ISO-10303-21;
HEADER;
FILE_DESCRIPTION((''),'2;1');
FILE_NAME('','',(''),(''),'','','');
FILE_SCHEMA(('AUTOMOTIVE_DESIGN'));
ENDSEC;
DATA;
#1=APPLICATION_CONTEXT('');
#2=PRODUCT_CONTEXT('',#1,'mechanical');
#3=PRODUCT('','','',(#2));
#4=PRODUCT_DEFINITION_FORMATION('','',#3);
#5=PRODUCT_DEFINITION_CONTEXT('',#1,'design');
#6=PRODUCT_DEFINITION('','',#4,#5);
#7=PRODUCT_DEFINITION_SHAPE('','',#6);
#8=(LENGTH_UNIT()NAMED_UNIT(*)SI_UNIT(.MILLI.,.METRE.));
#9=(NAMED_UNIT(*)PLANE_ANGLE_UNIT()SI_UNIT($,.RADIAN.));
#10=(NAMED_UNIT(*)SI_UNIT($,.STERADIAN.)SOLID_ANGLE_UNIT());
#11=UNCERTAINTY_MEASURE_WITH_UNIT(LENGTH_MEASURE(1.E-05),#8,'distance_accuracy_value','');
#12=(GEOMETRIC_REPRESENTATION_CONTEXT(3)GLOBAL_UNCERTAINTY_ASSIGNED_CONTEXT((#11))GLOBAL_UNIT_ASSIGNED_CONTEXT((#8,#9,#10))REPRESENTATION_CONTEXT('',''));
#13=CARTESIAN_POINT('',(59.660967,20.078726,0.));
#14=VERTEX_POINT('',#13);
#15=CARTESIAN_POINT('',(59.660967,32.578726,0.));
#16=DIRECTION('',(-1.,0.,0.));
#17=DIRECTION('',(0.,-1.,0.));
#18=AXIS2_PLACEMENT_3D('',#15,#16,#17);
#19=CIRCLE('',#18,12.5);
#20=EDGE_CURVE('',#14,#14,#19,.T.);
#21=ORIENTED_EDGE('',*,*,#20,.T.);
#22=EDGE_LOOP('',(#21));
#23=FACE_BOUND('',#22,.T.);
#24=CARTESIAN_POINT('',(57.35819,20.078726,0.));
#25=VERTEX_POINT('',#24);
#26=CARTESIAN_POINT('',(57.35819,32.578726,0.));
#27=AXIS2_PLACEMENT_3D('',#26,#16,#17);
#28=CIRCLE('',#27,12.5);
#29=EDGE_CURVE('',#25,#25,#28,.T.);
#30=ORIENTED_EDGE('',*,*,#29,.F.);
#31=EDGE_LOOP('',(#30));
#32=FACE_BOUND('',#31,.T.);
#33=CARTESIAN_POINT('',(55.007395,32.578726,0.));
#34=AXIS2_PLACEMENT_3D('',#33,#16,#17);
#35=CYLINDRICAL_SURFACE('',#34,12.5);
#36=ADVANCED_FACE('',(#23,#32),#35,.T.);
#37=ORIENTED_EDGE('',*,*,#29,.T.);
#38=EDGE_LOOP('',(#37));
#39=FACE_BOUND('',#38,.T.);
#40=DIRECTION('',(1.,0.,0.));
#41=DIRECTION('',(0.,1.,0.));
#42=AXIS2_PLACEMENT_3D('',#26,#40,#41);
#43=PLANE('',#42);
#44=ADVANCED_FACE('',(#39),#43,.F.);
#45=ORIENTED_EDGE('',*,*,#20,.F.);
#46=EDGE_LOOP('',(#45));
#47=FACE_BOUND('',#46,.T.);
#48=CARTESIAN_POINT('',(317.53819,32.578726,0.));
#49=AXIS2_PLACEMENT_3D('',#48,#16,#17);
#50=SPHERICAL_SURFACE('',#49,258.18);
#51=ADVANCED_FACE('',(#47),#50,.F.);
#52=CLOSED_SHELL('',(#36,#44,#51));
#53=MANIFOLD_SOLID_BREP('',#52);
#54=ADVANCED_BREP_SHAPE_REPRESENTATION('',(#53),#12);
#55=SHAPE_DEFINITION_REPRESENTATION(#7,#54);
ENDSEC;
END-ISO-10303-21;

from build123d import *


with BuildPart() as part:
    # 草图1 → 旋转1 (revolve)
    with BuildSketch(Plane.XY, mode=Mode.PRIVATE) as revolve_1_sk:
        with BuildLine():
            Line((57.358190158, 32.578725913), (57.358190158, 45.078725913))
            Line((57.358190158, 45.078725913), (59.660966658, 45.078725913))
            ThreePointArc((59.660966658, 45.078725913), (59.433895382, 38.830559117), (59.358190158, 32.578725913))
            Line((59.358190158, 32.578725913), (57.358190158, 32.578725913))
        make_face()
    revolve(revolve_1_sk.sketch.rotate(Axis((55.007394624, 32.578725913, 0), (1, 0, 0)), 180), axis=Axis((55.007394624, 32.578725913, 0), (1, 0, 0)))  # turned: the seam where the file's is


solid = part.part
